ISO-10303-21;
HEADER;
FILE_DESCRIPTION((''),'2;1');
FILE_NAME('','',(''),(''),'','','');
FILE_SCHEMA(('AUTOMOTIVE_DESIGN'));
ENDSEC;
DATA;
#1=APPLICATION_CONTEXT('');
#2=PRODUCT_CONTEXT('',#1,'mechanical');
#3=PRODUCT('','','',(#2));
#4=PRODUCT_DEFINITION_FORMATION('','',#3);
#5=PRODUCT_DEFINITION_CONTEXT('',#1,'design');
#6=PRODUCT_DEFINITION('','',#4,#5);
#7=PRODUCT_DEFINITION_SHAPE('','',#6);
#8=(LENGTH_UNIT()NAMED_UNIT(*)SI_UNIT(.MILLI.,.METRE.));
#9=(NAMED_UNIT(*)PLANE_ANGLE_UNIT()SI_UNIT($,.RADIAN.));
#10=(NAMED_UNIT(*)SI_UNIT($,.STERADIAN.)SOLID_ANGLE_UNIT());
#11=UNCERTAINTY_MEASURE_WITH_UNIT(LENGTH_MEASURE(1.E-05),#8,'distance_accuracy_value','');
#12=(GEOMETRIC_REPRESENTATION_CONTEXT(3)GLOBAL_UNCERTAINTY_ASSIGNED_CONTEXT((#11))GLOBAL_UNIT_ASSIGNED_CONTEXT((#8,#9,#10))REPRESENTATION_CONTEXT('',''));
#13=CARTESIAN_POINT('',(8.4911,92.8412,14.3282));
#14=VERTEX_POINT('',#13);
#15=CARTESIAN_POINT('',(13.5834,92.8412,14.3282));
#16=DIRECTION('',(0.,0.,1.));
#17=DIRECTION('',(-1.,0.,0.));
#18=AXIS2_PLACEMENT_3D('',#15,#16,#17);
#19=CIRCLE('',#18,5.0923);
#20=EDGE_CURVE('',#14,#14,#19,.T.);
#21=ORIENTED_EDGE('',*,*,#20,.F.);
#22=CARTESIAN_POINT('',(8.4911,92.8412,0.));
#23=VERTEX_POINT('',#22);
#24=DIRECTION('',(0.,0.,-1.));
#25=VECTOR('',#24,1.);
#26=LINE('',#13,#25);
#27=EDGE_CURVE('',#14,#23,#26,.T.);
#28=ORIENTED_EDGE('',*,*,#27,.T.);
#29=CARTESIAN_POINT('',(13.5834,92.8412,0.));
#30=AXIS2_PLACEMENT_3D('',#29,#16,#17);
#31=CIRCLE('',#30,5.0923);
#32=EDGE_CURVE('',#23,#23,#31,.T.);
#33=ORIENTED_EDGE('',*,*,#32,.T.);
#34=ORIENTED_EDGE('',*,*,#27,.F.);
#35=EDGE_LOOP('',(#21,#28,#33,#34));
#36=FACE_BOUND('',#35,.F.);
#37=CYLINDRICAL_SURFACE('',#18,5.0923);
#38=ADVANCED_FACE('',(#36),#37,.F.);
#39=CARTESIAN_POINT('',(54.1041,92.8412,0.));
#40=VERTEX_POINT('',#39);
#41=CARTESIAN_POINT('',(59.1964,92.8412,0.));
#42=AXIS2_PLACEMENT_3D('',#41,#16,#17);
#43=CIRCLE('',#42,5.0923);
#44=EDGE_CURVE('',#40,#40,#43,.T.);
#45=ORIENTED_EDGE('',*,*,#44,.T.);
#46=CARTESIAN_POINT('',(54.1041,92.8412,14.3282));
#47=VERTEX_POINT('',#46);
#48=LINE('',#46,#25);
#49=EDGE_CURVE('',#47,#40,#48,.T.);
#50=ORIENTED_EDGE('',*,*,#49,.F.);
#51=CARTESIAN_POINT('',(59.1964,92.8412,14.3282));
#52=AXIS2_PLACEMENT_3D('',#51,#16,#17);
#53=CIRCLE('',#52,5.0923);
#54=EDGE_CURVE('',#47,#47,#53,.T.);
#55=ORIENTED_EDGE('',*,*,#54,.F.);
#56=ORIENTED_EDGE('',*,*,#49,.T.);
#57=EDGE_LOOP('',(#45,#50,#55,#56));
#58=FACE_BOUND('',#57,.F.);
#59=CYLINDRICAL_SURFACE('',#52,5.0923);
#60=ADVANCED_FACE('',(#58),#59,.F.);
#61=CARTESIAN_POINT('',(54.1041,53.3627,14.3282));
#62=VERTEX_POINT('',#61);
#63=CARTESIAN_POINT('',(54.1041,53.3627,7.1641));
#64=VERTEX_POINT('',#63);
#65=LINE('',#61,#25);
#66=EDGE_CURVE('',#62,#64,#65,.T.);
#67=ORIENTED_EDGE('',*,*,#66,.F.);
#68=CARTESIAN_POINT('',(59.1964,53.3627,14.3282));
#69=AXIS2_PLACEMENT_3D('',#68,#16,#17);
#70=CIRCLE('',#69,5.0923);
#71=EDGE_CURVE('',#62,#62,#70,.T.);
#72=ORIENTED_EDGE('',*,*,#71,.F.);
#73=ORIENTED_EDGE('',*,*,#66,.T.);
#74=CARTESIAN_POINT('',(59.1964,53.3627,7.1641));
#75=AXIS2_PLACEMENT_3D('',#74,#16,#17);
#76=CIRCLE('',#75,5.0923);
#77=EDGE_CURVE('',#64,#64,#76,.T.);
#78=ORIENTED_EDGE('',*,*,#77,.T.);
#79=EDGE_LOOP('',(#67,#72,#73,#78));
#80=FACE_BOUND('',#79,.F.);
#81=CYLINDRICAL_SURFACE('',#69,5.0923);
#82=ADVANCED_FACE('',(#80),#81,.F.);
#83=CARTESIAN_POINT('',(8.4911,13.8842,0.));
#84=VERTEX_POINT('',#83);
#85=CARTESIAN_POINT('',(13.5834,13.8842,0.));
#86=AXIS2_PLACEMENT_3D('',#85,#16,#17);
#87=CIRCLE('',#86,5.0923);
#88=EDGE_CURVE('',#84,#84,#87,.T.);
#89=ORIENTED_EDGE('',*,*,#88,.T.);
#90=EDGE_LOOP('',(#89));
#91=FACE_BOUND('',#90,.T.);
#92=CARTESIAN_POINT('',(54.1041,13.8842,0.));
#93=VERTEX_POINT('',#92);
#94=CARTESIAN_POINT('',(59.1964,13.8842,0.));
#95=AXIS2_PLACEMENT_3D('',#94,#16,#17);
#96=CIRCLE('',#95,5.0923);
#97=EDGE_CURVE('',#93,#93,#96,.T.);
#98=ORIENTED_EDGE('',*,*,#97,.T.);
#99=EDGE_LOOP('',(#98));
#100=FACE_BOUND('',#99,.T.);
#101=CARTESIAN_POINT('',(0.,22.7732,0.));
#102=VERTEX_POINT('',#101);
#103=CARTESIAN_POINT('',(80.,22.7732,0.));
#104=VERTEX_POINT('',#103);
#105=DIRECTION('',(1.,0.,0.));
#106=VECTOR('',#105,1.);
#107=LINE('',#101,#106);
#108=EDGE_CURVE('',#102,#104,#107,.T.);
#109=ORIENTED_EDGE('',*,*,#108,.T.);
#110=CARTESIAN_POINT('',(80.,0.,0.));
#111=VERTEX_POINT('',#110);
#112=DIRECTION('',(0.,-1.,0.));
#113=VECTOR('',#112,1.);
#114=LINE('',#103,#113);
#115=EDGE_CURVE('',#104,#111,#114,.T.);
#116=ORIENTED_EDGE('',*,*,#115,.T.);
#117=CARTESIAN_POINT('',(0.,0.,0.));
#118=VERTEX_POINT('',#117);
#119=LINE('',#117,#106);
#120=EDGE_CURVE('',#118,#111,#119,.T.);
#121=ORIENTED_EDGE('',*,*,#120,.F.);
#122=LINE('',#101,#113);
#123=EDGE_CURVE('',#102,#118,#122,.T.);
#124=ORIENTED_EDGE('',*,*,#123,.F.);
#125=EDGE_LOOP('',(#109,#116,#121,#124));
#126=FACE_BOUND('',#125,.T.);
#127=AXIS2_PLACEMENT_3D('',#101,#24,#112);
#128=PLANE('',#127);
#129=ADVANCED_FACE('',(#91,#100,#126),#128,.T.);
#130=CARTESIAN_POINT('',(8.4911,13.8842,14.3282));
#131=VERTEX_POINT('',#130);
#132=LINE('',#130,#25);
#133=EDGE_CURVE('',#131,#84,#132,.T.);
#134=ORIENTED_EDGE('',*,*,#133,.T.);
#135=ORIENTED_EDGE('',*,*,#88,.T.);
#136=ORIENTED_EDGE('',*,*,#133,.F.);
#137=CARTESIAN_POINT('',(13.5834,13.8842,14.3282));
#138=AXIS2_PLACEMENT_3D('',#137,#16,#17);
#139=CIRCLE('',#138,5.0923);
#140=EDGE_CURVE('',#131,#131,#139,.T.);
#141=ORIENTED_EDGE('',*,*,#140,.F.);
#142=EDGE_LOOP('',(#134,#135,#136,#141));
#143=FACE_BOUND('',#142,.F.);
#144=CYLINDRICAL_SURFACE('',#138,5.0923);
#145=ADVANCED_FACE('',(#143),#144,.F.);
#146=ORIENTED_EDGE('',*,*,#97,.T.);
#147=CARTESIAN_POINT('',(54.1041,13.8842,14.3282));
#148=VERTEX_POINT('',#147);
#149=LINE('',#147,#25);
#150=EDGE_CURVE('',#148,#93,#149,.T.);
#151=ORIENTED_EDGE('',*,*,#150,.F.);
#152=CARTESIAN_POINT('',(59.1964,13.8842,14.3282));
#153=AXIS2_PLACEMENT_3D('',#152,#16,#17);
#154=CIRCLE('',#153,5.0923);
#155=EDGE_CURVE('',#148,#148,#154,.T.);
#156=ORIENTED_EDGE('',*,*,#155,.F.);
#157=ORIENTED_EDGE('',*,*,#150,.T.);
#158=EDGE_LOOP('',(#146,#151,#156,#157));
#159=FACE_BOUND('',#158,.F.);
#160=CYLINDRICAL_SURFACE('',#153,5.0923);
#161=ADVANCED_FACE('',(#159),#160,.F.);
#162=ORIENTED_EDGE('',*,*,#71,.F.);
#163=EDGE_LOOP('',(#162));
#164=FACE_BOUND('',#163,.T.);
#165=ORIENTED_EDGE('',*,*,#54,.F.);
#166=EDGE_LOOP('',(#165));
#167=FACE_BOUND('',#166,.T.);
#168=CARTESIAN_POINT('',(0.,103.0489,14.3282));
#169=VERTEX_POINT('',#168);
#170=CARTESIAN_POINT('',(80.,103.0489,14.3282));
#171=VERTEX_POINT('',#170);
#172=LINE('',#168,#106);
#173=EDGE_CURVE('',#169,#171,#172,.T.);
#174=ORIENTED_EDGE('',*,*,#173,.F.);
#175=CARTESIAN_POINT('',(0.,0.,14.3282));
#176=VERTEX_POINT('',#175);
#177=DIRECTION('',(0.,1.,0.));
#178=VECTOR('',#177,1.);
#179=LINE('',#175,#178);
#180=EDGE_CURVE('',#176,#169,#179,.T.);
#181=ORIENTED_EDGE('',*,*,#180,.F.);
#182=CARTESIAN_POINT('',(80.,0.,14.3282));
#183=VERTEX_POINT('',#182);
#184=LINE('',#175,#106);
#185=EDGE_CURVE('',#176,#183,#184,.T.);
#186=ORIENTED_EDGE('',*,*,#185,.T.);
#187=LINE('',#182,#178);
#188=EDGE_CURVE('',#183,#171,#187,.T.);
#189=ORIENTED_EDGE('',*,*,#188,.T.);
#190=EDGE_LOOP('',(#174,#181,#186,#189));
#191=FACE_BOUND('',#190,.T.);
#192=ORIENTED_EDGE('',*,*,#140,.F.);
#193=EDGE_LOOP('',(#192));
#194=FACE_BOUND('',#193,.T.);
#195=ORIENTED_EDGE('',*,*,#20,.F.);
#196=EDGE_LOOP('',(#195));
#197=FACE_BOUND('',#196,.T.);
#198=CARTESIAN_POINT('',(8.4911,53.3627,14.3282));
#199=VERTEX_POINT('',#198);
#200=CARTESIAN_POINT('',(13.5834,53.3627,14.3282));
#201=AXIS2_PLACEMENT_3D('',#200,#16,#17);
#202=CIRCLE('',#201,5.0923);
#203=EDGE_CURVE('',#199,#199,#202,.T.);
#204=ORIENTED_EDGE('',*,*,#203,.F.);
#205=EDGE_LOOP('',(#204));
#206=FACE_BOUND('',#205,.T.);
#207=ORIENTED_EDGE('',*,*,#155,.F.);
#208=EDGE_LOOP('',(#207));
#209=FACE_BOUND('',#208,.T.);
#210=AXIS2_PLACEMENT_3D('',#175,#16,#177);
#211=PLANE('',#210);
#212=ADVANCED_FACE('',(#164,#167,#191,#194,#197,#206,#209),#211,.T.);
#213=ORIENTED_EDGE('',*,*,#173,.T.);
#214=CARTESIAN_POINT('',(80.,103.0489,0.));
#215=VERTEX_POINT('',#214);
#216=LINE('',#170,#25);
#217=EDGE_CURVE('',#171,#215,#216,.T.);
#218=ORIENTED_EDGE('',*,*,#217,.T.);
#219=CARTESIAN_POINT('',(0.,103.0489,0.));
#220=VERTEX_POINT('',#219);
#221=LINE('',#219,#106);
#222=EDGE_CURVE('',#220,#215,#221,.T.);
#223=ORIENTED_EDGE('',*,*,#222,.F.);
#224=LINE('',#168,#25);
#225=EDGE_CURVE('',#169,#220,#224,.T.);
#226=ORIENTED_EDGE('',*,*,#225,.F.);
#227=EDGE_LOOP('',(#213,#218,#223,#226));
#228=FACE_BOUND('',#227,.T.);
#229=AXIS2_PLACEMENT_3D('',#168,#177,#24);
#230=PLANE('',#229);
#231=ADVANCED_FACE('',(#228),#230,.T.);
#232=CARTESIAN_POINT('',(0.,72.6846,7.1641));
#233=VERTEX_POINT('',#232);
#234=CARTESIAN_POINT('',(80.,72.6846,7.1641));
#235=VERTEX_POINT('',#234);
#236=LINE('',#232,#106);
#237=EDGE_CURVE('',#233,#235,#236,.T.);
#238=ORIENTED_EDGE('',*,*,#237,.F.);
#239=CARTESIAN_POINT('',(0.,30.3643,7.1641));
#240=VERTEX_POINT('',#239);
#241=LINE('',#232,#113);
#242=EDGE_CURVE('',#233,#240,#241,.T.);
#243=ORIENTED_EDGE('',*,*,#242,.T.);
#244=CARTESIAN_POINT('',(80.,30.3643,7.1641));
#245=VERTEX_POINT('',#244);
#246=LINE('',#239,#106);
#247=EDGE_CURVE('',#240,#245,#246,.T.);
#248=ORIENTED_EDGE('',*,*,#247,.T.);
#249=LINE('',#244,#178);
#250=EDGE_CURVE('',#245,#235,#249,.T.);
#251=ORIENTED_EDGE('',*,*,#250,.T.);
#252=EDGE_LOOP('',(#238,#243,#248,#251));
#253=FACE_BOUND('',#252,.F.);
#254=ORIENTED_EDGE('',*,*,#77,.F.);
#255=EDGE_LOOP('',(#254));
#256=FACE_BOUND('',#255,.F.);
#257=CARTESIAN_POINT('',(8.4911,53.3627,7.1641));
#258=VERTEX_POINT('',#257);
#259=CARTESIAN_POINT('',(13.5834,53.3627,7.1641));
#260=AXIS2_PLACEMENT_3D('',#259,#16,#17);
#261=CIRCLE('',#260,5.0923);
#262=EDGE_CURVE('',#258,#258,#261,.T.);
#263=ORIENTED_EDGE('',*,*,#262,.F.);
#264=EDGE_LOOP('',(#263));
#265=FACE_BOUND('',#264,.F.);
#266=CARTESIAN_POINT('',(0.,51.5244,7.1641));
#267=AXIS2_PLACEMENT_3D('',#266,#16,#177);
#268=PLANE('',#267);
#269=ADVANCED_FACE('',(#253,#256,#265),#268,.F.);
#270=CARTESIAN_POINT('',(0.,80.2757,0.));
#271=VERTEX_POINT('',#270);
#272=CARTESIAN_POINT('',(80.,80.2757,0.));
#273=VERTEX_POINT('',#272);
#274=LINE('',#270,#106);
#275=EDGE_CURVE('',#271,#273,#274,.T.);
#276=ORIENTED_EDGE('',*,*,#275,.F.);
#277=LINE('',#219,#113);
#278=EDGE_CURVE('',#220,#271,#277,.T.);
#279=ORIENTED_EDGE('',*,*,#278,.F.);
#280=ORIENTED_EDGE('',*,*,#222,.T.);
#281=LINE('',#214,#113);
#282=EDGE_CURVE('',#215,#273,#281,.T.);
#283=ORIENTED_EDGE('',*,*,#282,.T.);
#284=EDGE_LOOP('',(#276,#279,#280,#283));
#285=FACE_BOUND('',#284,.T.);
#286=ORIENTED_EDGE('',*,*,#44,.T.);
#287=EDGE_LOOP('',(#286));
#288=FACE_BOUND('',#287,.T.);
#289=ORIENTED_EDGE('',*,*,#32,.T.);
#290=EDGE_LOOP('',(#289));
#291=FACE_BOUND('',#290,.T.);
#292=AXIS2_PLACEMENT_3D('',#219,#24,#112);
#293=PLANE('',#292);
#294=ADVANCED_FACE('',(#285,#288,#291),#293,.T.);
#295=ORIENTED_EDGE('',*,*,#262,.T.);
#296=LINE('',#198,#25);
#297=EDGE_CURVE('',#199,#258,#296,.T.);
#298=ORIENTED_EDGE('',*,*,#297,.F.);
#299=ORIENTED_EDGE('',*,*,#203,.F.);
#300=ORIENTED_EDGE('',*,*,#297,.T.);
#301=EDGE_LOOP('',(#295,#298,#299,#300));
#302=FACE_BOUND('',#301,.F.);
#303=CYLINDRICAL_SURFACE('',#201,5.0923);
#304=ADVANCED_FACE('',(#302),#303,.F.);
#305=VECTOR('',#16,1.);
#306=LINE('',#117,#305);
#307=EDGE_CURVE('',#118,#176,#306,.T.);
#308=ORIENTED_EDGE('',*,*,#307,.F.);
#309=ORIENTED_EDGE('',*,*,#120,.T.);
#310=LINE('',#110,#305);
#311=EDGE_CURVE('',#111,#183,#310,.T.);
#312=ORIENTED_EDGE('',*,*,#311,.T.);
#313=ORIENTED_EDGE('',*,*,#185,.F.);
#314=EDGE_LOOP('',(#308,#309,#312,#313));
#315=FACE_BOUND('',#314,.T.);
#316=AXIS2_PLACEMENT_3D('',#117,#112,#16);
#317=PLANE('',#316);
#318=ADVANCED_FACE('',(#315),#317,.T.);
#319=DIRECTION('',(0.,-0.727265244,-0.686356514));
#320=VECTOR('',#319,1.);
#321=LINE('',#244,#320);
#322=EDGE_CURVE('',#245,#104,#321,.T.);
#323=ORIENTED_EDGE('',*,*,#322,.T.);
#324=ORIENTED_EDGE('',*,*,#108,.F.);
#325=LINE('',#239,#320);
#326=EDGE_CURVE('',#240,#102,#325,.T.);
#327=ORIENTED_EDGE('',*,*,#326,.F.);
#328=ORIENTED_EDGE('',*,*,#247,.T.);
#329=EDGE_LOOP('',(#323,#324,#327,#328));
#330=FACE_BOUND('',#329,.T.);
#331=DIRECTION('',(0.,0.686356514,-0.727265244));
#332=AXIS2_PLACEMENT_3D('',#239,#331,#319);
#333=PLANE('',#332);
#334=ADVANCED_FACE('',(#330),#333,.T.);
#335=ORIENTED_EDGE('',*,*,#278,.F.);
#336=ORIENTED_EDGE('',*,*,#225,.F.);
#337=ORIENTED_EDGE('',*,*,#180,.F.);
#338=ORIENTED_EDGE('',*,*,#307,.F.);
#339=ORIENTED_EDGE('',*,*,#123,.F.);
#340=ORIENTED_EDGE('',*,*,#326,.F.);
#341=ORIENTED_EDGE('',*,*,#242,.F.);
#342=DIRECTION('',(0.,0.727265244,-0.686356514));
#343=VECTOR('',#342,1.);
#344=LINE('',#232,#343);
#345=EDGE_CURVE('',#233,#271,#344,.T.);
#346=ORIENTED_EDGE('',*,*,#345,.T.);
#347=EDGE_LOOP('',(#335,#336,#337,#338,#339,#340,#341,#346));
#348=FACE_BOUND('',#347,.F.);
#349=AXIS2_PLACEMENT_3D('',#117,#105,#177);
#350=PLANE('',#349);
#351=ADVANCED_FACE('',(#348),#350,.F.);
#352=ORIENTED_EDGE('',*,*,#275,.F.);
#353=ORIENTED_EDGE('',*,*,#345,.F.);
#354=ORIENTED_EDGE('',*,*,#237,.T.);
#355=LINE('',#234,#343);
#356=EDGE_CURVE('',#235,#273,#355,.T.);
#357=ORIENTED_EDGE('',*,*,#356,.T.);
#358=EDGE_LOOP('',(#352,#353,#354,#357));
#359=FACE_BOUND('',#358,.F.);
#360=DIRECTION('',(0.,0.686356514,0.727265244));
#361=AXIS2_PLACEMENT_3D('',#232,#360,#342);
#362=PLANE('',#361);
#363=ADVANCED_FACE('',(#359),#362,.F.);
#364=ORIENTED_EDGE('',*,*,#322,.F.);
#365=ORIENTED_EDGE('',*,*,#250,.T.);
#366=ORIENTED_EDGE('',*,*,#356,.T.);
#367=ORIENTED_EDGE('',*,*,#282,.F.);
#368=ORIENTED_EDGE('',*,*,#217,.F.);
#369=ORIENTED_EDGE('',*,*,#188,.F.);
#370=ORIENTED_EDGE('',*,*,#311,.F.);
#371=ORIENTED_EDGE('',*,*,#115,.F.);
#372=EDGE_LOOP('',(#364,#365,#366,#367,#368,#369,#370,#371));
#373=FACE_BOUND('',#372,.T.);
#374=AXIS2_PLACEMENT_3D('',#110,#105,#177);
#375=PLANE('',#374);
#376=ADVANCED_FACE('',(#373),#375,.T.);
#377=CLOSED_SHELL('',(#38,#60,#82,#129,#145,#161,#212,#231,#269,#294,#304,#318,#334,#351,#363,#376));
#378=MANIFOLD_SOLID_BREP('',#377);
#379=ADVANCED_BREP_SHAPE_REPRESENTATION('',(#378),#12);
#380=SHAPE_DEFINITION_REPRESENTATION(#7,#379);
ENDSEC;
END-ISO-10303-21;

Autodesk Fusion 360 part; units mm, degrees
sketch "Sketch1" plane through (0, 0, 0) normal (1, 0, 0) x (0, 1, 0)
  line L0 (0, 0) -> (0, 14.3282)
  line L1 (0, 14.3282) -> (103.0489, 14.3282)
  line L2 (103.0489, 14.3282) -> (103.0489, 0)
  line L3 (51.5244, 0) -> (51.5244, 7.1641) construction
  line L4 (51.5244, 7.1641) -> (72.6846, 7.1641)
  line L5 (72.6846, 7.1641) -> (80.2757, 0)
  line L6 (51.5244, 7.1641) -> (30.3643, 7.1641)
  line L7 (30.3643, 7.1641) -> (22.7732, 0)
  line L8 (103.0489, 0) -> (80.2757, 0)
  line L9 (22.7732, 0) -> (0, 0)
extrude "Extrude1" add sketch "Sketch1" along normal blind 80
sketch "Sketch2" plane through (0, 0, 14.3282) normal (0, 0, 1) x (-1, 0, 0)
  circle A0 centre (-13.5834, -13.8842) radius 5.0923
extrude "Extrude2" cut sketch "Sketch2" against normal through all
pattern_linear "R-Pattern1" count 3 spacing 39.4785 along (0, 1, 0) count 2 spacing 45.613 along (1, 0, 0) of "Extrude2"
